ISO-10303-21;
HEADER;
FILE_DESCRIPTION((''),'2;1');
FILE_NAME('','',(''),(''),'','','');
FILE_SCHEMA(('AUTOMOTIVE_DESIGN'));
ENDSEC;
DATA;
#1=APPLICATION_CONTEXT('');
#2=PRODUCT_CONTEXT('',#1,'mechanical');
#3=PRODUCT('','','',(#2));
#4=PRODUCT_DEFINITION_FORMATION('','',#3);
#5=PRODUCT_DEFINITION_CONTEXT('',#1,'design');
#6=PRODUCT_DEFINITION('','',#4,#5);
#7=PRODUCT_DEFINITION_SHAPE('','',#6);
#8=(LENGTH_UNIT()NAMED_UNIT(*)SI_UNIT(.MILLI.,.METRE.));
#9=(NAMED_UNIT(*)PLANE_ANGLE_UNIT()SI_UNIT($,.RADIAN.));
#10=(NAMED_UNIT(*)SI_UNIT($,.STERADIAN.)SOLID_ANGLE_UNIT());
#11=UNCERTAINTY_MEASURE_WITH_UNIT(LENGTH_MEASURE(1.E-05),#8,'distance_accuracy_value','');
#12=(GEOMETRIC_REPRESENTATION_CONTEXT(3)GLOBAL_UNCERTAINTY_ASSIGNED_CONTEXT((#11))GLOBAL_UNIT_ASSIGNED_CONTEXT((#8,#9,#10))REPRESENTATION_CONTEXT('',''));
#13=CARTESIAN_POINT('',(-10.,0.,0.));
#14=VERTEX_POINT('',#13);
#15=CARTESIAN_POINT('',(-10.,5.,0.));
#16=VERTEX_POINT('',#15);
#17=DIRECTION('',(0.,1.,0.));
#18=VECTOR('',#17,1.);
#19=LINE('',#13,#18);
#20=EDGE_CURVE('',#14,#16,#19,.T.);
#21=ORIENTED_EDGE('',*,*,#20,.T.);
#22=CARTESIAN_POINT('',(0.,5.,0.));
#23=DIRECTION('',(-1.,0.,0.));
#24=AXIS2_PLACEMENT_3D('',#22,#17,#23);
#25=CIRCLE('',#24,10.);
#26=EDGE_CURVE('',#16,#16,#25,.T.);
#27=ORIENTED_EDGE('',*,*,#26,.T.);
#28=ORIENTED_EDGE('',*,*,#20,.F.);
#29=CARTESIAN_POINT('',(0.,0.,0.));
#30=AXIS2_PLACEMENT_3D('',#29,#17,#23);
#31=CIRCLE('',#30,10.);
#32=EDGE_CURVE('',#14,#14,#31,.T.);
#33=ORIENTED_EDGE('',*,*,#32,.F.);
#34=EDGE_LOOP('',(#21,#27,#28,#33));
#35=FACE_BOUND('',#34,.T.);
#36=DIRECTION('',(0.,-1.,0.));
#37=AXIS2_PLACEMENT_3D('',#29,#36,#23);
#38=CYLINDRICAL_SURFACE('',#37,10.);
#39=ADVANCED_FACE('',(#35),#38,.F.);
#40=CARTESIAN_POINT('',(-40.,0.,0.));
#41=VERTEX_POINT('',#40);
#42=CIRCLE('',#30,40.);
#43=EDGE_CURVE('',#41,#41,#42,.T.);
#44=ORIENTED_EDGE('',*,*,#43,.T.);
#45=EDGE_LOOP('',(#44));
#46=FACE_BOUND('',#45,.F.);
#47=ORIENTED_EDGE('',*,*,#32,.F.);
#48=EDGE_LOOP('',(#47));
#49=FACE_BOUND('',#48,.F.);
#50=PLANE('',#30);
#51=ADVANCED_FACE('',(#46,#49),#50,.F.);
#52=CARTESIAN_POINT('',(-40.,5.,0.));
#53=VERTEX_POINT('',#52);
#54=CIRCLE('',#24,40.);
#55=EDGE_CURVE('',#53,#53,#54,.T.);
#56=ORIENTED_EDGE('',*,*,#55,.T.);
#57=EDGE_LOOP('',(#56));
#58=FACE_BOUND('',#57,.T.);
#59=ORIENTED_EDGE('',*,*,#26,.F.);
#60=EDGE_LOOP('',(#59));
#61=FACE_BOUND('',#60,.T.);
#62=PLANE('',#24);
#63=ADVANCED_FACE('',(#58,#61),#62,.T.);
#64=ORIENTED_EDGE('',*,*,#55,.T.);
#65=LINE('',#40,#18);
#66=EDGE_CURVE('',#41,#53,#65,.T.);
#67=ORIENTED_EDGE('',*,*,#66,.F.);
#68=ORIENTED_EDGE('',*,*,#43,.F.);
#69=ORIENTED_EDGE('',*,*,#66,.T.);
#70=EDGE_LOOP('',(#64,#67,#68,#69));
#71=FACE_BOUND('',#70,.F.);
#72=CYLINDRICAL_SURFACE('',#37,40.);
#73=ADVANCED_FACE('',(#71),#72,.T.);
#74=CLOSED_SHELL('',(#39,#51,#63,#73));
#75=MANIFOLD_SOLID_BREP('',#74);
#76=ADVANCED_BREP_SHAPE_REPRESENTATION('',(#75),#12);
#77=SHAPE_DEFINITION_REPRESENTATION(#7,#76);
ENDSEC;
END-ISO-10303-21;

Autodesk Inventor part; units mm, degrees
ref_plane "YZ Plane" through (0, 0, 0) normal (1, 0, 0) x (0, 1, 0)
ref_plane "XZ Plane" through (0, 0, 0) normal (0, 1, 0) x (-1, 0, 0)
ref_plane "XY Plane" through (0, 0, 0) normal (0, 0, 1) x (1, 0, 0)
sketch "Sketch1" plane through (0, 0, 0) normal (0, 1, 0) x (-1, 0, 0)
  circle A0 centre (0, 0) radius 10
  circle A1 centre (0, 0) radius 40
  dimension "d0" = 20
  dimension "d1" = 80
extrude "Extrusion1" add sketch "Sketch1" along normal blind 5
properties part number "CE-9.3.1"
